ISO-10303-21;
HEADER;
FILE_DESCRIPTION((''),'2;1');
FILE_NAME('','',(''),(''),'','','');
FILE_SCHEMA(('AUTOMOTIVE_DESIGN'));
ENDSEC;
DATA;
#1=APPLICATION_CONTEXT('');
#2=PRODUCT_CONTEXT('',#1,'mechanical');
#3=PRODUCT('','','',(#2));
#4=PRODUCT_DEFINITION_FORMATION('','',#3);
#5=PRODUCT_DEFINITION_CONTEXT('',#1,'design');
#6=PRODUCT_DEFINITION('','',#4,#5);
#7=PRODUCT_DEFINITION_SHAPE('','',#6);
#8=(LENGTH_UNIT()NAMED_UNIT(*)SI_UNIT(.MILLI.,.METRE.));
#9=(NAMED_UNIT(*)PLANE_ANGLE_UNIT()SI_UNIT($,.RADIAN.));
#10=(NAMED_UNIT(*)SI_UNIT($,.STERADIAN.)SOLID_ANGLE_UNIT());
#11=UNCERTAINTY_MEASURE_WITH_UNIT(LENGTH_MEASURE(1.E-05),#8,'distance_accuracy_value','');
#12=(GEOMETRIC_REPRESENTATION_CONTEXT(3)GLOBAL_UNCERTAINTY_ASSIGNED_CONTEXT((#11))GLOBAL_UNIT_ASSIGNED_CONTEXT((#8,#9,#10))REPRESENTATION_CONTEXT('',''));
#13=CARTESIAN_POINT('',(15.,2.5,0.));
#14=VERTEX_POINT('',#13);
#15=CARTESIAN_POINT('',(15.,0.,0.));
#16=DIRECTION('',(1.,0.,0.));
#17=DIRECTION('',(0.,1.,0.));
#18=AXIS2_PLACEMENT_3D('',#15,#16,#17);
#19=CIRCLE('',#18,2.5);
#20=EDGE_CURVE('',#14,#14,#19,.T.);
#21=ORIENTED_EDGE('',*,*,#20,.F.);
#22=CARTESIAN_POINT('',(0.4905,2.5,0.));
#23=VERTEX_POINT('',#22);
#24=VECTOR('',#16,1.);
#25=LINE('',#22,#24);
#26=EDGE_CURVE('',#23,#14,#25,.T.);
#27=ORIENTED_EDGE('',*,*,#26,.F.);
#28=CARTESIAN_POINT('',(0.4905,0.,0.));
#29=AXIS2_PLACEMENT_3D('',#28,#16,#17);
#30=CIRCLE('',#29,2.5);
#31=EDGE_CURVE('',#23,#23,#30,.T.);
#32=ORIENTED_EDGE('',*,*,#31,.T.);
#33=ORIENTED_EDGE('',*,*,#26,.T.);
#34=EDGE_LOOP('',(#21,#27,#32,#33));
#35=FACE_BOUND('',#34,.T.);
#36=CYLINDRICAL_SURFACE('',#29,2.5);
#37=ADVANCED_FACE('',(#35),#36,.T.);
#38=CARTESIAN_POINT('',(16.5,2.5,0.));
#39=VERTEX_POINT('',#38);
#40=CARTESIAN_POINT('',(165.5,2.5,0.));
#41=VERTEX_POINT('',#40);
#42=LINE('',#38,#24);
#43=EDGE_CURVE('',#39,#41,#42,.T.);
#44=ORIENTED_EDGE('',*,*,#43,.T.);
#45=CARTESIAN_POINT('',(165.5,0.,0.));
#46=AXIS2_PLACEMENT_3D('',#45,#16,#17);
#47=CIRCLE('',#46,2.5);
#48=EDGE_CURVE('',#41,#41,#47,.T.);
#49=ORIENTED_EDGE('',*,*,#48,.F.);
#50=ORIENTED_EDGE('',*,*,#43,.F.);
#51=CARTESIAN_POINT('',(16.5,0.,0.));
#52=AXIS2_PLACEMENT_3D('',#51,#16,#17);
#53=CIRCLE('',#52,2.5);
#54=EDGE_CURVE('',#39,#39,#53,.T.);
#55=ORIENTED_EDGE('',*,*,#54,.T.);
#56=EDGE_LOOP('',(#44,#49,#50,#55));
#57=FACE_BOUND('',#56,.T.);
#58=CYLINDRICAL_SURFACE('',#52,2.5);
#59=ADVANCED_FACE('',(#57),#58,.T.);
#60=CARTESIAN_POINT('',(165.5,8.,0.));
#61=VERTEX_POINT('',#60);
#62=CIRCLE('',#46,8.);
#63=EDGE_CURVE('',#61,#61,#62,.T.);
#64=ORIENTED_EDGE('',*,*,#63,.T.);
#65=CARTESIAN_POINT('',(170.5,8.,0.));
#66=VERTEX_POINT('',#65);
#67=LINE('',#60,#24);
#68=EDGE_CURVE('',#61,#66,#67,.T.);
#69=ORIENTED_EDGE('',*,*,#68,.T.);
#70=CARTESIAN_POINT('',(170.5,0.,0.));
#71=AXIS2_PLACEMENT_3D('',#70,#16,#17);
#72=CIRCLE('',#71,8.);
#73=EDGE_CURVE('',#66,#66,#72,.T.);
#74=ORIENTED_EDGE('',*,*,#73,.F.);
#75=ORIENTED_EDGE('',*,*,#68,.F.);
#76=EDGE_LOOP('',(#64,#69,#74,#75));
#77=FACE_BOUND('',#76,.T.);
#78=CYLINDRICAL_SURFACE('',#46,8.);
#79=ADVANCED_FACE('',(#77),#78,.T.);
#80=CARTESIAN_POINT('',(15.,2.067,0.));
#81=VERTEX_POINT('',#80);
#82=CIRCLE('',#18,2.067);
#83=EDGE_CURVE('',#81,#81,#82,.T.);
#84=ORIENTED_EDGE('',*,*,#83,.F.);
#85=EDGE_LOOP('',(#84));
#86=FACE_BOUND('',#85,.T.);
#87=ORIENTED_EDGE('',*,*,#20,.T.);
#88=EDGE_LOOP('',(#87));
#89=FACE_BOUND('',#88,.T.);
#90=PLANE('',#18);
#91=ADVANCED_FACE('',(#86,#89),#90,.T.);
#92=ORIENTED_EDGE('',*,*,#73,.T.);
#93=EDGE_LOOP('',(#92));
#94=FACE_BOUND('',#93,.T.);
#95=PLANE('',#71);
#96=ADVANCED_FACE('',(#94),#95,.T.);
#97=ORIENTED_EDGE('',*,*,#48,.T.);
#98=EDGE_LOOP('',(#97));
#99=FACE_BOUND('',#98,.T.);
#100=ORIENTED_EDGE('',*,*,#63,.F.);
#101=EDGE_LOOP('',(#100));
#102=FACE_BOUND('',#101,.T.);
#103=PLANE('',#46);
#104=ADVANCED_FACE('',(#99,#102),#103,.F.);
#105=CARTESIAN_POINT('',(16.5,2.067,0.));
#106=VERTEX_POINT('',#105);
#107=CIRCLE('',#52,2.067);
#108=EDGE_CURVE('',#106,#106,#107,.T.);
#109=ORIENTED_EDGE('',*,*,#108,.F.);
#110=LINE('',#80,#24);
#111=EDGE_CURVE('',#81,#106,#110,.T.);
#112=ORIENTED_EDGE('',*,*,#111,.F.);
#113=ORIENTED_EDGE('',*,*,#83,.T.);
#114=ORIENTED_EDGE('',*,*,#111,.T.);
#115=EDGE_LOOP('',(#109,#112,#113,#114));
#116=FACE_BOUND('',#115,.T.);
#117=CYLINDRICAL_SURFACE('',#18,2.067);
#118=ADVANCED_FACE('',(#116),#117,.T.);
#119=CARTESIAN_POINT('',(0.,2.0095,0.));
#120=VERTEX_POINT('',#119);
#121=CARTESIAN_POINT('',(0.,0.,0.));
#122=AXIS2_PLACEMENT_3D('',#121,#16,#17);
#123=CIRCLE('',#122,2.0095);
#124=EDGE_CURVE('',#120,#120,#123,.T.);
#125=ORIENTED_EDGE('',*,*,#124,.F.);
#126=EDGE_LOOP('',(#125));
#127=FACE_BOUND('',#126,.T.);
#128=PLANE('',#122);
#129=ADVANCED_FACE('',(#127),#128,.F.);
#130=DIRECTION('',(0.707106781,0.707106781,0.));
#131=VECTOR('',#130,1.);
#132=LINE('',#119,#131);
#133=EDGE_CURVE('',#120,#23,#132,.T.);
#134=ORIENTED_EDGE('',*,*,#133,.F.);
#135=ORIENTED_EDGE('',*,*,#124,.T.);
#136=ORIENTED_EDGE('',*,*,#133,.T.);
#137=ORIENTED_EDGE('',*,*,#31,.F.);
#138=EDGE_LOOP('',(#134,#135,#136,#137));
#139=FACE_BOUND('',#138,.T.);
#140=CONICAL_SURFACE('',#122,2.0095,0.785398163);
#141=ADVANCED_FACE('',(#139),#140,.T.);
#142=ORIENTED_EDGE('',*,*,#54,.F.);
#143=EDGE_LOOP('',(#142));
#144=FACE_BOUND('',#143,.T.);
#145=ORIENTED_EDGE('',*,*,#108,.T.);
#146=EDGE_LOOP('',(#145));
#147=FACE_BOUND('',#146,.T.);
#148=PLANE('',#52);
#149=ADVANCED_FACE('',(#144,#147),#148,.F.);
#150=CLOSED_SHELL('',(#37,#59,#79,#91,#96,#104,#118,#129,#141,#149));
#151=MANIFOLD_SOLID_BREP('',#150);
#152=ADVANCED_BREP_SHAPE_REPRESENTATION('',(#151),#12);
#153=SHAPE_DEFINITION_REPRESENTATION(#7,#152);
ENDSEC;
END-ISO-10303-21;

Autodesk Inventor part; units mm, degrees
sketch "Sketch_5" plane through (0, 0, 0) normal (0, 0, 1) x (1, 0, 0)
  line L0 (170.5, 0) -> (0, 0)
  line L1 (0, 0) -> (0, 2.0095)
  line L2 (0, 2.0095) -> (0.4905, 2.5)
  line L3 (0.4905, 2.5) -> (15, 2.5)
  line L4 (15, 2.5) -> (15, 2.067)
  line L5 (15, 2.067) -> (16.5, 2.067)
  line L6 (16.5, 2.067) -> (16.5, 2.5)
  line L7 (16.5, 2.5) -> (165.5, 2.5)
  line L8 (165.5, 2.5) -> (165.5, 8)
  line L9 (165.5, 8) -> (170.5, 8)
  line L10 (170.5, 8) -> (170.5, 0)
  line L11 (170.5, 0) -> (0, 0)
revolve "Revolution1" add sketch "Sketch_5" angle 360 about axis through (170.5, 0, 0) along (1, 0, 0)
thread "Thread1" size "M5x0.8" class "6g" standard "ISO Metric profile" full length
ref_plane "ROD_BA_XY" through (10, 0, 0) normal (-1, 0, 0) x (0, 0, -1)
ref_plane "ROD_BA_YZ" through (10, 0, 0) normal (0, 0, -1) x (0, -1, 0)
ref_plane "ROD_BA_ZX" through (10, 0, 0) normal (0, -1, 0) x (-1, 0, 0)
ref_plane "ROD_BODY_XY" through (28, 0, 0) normal (-1, 0, 0) x (0, 0, -1)
ref_plane "ROD_BODY_YZ" through (28, 0, 0) normal (0, 0, -1) x (0, -1, 0)
ref_plane "ROD_BODY_ZX" through (28, 0, 0) normal (0, -1, 0) x (-1, 0, 0)
ref_plane "rodnt1_XY" through (7.5, 0, 0) normal (1, 0, 0) x (0, 0, -1)
ref_plane "rodnt1_YZ" through (7.5, 0, 0) normal (0, 0, -1) x (0, 1, 0)
ref_plane "rodnt1_ZX" through (7.5, 0, 0) normal (0, 1, 0) x (1, 0, 0)
properties part number "CJ2B16-125Z_ROD" material "ステンレス鋼"
